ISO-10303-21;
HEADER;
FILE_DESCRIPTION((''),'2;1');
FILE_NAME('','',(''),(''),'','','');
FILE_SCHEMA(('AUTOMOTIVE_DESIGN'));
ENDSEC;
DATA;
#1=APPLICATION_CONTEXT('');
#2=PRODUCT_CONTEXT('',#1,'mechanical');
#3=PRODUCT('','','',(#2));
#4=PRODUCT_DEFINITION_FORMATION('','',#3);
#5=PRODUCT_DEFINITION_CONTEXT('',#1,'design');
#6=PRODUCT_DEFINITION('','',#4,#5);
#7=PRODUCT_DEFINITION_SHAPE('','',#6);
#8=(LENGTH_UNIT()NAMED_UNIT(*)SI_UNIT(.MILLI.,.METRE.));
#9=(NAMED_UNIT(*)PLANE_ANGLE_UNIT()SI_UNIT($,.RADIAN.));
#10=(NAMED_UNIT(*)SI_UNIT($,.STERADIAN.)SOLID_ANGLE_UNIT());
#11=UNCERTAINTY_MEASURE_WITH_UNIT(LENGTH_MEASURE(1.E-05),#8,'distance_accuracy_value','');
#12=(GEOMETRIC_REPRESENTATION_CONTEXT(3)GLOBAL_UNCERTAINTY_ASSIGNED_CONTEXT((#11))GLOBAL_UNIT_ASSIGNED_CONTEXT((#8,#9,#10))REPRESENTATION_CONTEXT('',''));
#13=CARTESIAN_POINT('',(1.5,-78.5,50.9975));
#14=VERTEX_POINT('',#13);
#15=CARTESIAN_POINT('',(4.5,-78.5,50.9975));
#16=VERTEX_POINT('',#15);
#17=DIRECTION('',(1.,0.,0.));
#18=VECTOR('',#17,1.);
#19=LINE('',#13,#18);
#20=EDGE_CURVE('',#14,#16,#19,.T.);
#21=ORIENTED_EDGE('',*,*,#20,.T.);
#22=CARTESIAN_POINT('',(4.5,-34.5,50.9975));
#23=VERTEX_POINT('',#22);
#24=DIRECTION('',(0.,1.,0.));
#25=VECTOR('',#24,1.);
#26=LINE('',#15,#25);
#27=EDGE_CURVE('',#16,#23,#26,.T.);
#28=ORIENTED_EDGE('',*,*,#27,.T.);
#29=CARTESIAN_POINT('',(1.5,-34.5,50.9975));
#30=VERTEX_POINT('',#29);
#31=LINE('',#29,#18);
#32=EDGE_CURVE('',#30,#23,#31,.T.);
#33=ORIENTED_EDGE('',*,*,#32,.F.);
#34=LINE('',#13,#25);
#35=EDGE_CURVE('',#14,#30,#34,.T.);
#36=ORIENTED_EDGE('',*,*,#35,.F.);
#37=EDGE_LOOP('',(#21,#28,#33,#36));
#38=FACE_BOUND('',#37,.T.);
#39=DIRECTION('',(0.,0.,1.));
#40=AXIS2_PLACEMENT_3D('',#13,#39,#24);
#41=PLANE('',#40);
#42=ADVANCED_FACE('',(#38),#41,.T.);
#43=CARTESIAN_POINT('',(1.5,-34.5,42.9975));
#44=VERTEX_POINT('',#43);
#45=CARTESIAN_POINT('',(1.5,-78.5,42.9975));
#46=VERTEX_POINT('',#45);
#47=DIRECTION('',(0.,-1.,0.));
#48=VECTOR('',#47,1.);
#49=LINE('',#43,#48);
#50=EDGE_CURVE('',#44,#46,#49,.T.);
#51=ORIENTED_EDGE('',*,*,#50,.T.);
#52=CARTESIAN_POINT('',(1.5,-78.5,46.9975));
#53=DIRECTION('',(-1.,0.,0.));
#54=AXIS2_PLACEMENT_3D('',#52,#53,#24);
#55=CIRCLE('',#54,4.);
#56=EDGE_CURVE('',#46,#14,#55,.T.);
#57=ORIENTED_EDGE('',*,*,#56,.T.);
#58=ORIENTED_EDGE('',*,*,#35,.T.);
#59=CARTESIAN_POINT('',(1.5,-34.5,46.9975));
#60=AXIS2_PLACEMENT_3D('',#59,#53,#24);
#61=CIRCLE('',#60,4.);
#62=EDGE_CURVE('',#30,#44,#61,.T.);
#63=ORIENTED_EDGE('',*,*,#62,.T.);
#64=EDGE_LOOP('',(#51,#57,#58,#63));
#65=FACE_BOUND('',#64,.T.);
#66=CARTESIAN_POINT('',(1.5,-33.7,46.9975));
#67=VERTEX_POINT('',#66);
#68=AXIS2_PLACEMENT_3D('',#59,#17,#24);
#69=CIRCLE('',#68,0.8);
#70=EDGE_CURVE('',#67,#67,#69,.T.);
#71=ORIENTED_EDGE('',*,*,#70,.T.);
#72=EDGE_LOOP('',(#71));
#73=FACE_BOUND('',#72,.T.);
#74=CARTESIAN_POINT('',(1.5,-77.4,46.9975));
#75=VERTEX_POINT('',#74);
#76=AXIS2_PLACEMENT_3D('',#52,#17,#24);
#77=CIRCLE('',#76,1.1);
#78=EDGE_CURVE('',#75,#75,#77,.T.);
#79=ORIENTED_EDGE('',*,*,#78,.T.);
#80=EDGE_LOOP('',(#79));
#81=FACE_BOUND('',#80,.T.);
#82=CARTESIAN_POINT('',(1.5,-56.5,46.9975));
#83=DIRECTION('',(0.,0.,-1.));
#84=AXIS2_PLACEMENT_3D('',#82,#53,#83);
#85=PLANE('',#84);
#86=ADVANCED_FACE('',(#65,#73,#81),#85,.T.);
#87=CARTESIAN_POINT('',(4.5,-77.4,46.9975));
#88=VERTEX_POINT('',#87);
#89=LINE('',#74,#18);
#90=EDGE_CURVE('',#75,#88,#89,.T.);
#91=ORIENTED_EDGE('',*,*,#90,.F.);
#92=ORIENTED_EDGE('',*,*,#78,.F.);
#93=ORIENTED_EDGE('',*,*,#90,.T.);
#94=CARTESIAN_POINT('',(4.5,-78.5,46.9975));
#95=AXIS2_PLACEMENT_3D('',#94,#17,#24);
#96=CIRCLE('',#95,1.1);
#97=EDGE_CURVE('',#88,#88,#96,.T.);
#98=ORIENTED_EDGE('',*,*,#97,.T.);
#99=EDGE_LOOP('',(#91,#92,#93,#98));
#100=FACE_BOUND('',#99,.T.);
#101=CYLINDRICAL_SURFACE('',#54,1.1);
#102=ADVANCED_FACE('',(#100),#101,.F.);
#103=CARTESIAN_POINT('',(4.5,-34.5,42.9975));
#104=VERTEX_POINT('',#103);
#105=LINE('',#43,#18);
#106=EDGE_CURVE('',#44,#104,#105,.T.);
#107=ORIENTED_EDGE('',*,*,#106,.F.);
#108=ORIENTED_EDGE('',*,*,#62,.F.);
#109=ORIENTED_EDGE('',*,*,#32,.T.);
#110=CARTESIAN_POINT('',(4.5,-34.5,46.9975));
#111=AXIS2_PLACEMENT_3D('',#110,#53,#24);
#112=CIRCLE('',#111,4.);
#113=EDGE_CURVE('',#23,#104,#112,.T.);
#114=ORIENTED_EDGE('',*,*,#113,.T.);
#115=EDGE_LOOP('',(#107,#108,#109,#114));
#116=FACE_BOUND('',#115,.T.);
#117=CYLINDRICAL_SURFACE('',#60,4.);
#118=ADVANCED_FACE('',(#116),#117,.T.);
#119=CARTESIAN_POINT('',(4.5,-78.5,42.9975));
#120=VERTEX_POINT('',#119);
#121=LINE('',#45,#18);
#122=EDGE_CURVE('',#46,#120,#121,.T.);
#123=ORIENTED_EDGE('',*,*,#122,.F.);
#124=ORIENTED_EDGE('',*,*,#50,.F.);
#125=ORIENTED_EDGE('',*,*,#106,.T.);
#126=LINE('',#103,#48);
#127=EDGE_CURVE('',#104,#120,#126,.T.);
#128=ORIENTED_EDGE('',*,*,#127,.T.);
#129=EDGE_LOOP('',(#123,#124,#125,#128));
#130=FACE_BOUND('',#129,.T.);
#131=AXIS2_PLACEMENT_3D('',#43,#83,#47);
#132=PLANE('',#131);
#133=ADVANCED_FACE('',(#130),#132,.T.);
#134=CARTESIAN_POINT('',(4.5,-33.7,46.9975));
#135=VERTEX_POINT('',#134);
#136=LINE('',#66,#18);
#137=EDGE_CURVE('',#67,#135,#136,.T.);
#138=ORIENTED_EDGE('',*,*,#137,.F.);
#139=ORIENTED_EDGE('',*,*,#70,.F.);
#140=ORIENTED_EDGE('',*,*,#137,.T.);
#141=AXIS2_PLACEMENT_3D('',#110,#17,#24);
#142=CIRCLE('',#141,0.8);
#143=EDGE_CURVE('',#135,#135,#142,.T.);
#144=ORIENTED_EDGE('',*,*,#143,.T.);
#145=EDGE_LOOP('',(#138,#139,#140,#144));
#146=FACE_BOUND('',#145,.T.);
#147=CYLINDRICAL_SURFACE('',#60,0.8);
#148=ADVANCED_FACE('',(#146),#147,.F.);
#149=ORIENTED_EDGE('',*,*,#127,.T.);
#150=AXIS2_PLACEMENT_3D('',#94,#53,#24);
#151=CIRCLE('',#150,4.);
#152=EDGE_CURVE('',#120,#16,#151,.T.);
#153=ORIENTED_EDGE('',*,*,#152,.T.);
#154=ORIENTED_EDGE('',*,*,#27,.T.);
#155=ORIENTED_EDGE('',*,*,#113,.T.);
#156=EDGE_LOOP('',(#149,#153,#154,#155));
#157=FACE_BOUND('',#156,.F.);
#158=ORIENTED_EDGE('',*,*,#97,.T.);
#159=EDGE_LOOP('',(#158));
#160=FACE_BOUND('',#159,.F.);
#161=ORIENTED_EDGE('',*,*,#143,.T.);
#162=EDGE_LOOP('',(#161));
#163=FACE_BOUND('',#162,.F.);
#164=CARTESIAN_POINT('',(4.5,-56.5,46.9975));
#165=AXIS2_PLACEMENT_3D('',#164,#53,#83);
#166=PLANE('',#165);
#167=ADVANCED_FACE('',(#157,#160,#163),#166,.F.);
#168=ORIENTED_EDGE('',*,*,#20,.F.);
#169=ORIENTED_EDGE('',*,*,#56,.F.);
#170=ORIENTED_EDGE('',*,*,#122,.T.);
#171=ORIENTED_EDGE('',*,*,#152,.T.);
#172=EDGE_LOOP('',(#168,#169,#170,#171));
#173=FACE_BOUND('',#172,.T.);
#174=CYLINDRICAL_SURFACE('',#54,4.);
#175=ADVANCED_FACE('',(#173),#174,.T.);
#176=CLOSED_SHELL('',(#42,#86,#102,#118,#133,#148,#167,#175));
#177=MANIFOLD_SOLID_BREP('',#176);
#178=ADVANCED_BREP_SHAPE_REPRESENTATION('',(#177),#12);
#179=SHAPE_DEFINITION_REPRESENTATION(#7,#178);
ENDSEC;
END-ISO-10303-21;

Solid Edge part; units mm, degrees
sketch "Sketch1" plane through (1.5, 0, 0) normal (1, 0, 0) x (0, 1, 0)
  line L0 (-34.5, 42.9975) -> (-78.5, 42.9975)
  line L1 (-78.5, 50.9975) -> (-34.5, 50.9975)
  arc A0 (-78.5, 42.9975) -> (-78.5, 50.9975) centre (-78.5, 46.9975) cw
  arc A1 (-34.5, 50.9975) -> (-34.5, 42.9975) centre (-34.5, 46.9975) cw
  circle A2 centre (-34.5, 46.9975) radius 0.8
  circle A3 centre (-78.5, 46.9975) radius 1.1
extrude "Protrusion1" add sketch "Sketch1" along normal blind 3
